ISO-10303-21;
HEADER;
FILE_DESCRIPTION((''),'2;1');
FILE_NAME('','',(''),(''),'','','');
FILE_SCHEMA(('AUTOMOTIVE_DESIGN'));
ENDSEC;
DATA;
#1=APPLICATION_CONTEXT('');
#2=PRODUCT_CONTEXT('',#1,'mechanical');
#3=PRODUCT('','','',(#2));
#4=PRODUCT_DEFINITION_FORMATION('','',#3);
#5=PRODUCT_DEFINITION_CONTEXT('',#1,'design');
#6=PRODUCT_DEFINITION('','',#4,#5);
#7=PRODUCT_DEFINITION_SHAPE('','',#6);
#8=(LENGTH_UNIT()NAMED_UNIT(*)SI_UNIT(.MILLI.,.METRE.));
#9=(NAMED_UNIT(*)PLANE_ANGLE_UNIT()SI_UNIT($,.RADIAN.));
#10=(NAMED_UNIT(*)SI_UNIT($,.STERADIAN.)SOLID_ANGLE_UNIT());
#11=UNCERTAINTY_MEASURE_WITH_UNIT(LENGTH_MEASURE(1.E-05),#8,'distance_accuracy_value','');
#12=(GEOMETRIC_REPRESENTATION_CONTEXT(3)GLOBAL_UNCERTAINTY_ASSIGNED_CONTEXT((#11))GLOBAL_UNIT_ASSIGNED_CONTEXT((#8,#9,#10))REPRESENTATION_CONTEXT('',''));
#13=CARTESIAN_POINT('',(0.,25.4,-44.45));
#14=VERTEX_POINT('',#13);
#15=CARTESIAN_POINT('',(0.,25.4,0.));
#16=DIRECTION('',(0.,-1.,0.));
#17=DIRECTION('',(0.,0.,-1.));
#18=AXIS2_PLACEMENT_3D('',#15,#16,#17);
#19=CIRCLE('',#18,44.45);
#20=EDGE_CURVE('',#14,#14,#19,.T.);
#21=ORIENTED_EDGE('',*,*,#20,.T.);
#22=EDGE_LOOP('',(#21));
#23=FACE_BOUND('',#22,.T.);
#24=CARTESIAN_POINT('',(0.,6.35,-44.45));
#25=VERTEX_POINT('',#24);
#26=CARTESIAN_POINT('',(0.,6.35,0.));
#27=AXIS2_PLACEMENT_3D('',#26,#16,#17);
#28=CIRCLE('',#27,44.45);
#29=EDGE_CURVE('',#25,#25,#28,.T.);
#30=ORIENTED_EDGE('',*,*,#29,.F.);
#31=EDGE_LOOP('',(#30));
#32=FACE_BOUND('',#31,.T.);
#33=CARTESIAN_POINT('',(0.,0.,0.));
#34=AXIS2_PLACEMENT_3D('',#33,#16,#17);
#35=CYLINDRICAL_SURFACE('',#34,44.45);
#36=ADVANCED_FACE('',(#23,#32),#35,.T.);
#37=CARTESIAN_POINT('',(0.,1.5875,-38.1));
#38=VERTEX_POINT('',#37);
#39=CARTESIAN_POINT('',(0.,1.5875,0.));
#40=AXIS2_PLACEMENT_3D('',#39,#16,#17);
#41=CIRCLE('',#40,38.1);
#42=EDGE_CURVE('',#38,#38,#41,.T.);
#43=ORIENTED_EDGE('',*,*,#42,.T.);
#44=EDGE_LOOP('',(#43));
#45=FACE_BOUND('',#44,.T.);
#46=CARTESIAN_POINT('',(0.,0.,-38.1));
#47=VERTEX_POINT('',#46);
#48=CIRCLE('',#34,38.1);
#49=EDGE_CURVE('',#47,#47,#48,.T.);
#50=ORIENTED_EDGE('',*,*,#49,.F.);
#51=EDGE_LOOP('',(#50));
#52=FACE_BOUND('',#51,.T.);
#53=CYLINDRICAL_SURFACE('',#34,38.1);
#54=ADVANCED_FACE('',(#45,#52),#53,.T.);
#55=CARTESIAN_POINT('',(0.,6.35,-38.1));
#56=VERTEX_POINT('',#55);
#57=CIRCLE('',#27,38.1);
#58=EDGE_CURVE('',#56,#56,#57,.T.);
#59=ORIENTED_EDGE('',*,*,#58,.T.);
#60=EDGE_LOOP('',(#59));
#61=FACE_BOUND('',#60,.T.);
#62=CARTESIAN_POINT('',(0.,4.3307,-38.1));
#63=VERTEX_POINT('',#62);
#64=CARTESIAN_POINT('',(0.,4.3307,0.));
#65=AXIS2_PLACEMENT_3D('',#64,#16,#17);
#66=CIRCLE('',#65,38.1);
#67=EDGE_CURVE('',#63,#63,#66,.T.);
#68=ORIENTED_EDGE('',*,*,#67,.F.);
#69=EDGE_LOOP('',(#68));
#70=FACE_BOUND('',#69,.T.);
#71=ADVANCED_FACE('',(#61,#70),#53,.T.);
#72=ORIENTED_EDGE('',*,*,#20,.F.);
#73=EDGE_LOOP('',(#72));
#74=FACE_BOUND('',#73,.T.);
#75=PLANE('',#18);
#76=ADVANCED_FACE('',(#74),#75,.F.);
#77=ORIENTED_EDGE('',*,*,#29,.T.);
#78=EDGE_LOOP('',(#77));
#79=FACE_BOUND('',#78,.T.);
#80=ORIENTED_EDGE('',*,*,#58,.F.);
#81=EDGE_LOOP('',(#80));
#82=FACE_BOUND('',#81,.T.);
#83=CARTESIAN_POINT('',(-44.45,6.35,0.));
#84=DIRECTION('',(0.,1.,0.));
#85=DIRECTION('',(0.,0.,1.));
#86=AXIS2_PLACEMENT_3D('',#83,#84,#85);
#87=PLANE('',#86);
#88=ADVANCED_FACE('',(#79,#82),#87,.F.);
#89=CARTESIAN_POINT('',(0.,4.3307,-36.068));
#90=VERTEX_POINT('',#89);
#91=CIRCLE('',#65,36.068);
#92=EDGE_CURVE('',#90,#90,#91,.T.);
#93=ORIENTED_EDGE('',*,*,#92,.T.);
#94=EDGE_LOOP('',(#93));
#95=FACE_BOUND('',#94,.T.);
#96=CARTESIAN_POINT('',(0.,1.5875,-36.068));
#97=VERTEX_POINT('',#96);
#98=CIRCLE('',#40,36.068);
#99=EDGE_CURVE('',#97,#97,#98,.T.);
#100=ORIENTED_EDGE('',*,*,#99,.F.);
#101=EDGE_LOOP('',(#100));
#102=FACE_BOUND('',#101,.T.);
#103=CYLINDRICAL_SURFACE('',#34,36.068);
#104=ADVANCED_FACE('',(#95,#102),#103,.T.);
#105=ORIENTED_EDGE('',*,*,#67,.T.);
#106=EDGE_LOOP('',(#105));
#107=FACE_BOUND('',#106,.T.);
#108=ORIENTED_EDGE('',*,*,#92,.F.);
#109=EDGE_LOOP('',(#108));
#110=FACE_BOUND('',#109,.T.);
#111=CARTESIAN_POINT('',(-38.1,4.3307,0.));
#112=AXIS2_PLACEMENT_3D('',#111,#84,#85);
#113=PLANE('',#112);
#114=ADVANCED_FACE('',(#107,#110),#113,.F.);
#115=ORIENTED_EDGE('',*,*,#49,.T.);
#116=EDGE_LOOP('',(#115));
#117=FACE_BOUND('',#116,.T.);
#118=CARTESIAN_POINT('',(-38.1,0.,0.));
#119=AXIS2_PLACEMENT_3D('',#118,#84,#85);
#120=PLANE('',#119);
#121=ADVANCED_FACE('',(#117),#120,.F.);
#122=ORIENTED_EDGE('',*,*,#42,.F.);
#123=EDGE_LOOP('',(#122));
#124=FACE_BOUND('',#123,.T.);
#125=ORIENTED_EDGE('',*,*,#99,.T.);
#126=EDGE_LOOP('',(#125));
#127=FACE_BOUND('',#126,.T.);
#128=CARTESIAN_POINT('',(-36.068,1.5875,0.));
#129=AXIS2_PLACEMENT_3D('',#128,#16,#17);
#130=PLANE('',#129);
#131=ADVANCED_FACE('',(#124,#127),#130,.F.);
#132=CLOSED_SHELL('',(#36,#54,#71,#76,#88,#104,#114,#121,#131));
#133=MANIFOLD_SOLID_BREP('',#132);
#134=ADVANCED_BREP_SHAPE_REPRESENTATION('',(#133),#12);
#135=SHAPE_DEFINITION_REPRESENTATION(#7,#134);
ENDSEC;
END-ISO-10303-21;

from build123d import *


with BuildPart() as part:
    # Sketch1 → Revolve1 (revolve)
    with BuildSketch(Plane.XY):
        Polygon((-38.1, 0), (0, 0), (0, 25.4), (-44.45, 25.4), (-44.45, 6.35), (-38.1, 6.35), (-38.1, 4.3307), (-36.068, 4.3307), (-36.068, 1.5875), (-38.1, 1.5875), align=None)
    revolve(axis=Axis((0, 0, 0), (0, 1, 0)))


solid = part.part
